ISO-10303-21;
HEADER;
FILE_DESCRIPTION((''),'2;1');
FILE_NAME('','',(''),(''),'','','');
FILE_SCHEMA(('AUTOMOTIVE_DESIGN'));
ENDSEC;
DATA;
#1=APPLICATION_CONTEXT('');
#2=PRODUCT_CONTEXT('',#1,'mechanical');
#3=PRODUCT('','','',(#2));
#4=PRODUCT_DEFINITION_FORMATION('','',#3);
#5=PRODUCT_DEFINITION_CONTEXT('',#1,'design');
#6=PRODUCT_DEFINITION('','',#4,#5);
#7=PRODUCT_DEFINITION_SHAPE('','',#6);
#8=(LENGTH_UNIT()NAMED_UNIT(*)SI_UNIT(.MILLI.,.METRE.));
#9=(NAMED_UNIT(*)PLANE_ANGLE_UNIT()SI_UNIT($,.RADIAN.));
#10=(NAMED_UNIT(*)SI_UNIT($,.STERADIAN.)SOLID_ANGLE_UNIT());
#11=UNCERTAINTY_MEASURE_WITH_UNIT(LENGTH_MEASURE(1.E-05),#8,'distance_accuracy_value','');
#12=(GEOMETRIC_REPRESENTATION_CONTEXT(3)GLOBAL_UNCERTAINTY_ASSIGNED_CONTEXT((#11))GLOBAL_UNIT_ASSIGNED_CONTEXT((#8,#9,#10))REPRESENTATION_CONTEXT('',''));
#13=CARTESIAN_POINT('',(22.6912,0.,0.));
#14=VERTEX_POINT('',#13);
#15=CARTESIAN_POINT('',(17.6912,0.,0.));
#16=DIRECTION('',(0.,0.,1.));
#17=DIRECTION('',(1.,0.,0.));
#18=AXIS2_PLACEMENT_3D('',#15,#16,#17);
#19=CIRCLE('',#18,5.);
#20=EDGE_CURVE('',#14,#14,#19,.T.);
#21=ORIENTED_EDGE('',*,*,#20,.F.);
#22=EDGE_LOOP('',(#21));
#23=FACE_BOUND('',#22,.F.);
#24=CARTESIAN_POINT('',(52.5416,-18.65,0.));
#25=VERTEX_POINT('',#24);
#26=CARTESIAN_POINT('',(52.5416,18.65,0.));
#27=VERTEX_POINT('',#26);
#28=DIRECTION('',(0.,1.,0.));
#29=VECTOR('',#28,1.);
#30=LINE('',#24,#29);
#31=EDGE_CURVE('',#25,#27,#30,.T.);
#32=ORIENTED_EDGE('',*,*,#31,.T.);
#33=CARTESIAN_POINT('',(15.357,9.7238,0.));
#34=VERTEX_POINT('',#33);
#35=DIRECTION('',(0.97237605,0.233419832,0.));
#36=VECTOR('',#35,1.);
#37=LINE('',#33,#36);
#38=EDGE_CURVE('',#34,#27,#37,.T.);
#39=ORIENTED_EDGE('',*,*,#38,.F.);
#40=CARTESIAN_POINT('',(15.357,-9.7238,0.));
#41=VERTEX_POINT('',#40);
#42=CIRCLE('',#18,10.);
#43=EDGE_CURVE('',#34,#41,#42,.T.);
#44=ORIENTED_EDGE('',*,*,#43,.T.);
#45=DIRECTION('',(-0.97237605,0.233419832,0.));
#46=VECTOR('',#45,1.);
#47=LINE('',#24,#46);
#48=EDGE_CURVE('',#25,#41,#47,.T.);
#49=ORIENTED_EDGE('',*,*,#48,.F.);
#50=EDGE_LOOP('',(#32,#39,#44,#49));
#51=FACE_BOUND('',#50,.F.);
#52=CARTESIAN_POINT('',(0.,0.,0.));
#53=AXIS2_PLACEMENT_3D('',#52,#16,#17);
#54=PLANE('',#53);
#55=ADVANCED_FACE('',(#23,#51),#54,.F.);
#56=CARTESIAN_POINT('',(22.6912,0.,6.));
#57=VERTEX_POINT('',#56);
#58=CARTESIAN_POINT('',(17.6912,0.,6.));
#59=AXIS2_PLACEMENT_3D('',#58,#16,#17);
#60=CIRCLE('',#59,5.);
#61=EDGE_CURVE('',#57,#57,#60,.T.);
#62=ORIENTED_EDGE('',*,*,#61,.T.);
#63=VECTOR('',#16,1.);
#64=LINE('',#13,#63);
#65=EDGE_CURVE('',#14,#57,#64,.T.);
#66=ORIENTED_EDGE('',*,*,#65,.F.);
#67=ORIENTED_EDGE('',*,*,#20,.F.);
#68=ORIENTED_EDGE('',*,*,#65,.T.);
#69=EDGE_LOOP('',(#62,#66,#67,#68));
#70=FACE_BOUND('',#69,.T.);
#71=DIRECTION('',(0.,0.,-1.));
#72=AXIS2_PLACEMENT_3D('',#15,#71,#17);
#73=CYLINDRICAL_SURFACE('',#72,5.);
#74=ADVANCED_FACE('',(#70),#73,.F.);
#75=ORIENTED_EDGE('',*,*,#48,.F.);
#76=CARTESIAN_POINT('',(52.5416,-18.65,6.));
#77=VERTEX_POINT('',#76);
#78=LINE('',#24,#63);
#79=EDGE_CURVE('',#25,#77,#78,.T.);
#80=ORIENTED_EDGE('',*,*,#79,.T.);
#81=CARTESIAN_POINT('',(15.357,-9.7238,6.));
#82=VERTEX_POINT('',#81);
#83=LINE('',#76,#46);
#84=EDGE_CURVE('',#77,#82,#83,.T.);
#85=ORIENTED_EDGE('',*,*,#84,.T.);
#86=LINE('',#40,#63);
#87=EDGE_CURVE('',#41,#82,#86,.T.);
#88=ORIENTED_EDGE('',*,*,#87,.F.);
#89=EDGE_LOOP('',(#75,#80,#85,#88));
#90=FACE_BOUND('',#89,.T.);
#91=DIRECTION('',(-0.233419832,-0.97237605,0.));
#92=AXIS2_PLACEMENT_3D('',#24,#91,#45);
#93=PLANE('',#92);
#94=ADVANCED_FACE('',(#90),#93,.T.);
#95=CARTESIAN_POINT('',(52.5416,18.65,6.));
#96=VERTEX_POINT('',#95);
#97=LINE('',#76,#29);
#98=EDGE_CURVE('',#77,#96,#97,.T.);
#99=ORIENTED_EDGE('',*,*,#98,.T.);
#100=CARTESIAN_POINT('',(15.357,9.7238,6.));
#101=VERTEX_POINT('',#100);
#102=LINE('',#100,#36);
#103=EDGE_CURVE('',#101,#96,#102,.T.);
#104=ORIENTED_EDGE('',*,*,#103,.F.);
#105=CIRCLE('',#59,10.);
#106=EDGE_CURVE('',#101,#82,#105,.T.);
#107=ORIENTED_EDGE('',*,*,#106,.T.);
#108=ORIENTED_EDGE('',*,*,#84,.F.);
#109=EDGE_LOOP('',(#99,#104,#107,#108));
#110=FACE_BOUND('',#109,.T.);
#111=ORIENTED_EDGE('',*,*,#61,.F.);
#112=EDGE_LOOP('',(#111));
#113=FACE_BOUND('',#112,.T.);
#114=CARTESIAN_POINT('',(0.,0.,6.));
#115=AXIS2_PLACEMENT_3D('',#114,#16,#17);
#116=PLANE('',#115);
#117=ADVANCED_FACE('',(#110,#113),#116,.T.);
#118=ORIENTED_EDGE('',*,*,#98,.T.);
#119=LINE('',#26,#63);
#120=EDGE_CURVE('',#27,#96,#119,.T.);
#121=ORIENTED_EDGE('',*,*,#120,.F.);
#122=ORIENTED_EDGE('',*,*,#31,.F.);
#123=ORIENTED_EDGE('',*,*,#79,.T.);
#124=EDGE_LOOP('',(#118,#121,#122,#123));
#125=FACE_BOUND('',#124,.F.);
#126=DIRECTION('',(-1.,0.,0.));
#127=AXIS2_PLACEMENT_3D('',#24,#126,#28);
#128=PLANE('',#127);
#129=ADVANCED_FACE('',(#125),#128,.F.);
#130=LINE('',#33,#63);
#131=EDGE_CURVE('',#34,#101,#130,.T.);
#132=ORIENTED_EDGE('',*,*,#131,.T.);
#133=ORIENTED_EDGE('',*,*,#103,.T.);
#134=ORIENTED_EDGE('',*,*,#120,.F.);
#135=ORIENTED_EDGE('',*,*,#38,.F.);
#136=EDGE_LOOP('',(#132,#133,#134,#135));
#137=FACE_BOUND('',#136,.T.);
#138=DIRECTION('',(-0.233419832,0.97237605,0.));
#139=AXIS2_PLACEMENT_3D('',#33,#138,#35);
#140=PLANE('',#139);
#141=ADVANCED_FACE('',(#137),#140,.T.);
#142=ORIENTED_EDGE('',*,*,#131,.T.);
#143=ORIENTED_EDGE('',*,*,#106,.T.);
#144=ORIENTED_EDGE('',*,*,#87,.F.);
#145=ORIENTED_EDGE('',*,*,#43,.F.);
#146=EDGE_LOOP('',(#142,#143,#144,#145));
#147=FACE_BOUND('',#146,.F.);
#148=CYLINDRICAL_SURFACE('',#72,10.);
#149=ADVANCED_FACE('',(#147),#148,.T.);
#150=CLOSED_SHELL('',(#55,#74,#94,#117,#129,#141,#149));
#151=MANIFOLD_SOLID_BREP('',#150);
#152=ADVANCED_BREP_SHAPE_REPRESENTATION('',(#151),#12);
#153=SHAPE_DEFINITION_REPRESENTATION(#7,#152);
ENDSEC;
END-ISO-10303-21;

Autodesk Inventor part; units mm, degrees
ref_plane "YZ Plane" through (0, 0, 0) normal (1, 0, 0) x (0, 1, 0)
ref_plane "XZ Plane" through (0, 0, 0) normal (0, 1, 0) x (-1, 0, 0)
ref_plane "XY Plane" through (0, 0, 0) normal (0, 0, 1) x (1, 0, 0)
sketch "Sketch1" plane through (0, 0, 0) normal (0, 0, 1) x (1, 0, 0)
  circle A0 centre (-790.1228, -10.9134) radius 9.525 projected
  ellipse E0 centre (61.5218, 18.65) end of major axis (52.5416, 18.65) minor radius 6.35 (61.5218, 25) -> (52.5416, 18.65) ccw
  line L0 (61.5218, 25) -> (114.272, 25)
  ellipse E1 centre (114.272, 18.65) end of major axis (105.2917, 18.65) minor radius 6.35 (123.2522, 18.65) -> (114.272, 25) ccw
  line L1 (123.2522, 18.65) -> (123.2522, -18.65)
  ellipse E2 centre (114.272, -18.65) end of major axis (105.2917, -18.65) minor radius 6.35 (114.272, -25) -> (123.2522, -18.65) ccw
  line L2 (114.272, -25) -> (61.5218, -25)
  ellipse E3 centre (61.5218, -18.65) end of major axis (52.5416, -18.65) minor radius 6.35 (52.5416, -18.65) -> (61.5218, -25) ccw
  line L3 (52.5416, -18.65) -> (52.5416, 18.65)
  line L4 (114.272, 21.825) -> (61.5218, 21.825)
  ellipse E4 centre (61.5218, 18.65) end of major axis (57.0317, 18.65) minor radius 3.175 (61.5218, 21.825) -> (57.0317, 18.65) ccw
  line L5 (57.0317, 18.65) -> (57.0317, -18.65)
  ellipse E5 centre (61.5218, -18.65) end of major axis (57.0317, -18.65) minor radius 3.175 (57.0317, -18.65) -> (61.5218, -21.825) ccw
  line L6 (61.5218, -21.825) -> (114.272, -21.825)
  ellipse E6 centre (114.272, -18.65) end of major axis (109.7818, -18.65) minor radius 3.175 (114.272, -21.825) -> (118.7621, -18.65) ccw
  line L7 (118.7621, -18.65) -> (118.7621, 18.65)
  ellipse E7 centre (114.272, 18.65) end of major axis (109.7818, 18.65) minor radius 3.175 (118.7621, 18.65) -> (114.272, 21.825) ccw
  circle A1 centre (17.6912, 0) radius 5 projected
  circle A2 centre (17.6912, 0) radius 10
  line L8 (15.357, 9.7238) -> (52.5416, 18.65)
  line L9 (52.5416, -18.65) -> (15.357, -9.7238)
  dimension "d4" = 20
extrude "Extrusion1" add sketch "Sketch1" along normal blind 6 contours L3 L9 A2 L8 | A2
properties part number "Soporte pivote freno"
